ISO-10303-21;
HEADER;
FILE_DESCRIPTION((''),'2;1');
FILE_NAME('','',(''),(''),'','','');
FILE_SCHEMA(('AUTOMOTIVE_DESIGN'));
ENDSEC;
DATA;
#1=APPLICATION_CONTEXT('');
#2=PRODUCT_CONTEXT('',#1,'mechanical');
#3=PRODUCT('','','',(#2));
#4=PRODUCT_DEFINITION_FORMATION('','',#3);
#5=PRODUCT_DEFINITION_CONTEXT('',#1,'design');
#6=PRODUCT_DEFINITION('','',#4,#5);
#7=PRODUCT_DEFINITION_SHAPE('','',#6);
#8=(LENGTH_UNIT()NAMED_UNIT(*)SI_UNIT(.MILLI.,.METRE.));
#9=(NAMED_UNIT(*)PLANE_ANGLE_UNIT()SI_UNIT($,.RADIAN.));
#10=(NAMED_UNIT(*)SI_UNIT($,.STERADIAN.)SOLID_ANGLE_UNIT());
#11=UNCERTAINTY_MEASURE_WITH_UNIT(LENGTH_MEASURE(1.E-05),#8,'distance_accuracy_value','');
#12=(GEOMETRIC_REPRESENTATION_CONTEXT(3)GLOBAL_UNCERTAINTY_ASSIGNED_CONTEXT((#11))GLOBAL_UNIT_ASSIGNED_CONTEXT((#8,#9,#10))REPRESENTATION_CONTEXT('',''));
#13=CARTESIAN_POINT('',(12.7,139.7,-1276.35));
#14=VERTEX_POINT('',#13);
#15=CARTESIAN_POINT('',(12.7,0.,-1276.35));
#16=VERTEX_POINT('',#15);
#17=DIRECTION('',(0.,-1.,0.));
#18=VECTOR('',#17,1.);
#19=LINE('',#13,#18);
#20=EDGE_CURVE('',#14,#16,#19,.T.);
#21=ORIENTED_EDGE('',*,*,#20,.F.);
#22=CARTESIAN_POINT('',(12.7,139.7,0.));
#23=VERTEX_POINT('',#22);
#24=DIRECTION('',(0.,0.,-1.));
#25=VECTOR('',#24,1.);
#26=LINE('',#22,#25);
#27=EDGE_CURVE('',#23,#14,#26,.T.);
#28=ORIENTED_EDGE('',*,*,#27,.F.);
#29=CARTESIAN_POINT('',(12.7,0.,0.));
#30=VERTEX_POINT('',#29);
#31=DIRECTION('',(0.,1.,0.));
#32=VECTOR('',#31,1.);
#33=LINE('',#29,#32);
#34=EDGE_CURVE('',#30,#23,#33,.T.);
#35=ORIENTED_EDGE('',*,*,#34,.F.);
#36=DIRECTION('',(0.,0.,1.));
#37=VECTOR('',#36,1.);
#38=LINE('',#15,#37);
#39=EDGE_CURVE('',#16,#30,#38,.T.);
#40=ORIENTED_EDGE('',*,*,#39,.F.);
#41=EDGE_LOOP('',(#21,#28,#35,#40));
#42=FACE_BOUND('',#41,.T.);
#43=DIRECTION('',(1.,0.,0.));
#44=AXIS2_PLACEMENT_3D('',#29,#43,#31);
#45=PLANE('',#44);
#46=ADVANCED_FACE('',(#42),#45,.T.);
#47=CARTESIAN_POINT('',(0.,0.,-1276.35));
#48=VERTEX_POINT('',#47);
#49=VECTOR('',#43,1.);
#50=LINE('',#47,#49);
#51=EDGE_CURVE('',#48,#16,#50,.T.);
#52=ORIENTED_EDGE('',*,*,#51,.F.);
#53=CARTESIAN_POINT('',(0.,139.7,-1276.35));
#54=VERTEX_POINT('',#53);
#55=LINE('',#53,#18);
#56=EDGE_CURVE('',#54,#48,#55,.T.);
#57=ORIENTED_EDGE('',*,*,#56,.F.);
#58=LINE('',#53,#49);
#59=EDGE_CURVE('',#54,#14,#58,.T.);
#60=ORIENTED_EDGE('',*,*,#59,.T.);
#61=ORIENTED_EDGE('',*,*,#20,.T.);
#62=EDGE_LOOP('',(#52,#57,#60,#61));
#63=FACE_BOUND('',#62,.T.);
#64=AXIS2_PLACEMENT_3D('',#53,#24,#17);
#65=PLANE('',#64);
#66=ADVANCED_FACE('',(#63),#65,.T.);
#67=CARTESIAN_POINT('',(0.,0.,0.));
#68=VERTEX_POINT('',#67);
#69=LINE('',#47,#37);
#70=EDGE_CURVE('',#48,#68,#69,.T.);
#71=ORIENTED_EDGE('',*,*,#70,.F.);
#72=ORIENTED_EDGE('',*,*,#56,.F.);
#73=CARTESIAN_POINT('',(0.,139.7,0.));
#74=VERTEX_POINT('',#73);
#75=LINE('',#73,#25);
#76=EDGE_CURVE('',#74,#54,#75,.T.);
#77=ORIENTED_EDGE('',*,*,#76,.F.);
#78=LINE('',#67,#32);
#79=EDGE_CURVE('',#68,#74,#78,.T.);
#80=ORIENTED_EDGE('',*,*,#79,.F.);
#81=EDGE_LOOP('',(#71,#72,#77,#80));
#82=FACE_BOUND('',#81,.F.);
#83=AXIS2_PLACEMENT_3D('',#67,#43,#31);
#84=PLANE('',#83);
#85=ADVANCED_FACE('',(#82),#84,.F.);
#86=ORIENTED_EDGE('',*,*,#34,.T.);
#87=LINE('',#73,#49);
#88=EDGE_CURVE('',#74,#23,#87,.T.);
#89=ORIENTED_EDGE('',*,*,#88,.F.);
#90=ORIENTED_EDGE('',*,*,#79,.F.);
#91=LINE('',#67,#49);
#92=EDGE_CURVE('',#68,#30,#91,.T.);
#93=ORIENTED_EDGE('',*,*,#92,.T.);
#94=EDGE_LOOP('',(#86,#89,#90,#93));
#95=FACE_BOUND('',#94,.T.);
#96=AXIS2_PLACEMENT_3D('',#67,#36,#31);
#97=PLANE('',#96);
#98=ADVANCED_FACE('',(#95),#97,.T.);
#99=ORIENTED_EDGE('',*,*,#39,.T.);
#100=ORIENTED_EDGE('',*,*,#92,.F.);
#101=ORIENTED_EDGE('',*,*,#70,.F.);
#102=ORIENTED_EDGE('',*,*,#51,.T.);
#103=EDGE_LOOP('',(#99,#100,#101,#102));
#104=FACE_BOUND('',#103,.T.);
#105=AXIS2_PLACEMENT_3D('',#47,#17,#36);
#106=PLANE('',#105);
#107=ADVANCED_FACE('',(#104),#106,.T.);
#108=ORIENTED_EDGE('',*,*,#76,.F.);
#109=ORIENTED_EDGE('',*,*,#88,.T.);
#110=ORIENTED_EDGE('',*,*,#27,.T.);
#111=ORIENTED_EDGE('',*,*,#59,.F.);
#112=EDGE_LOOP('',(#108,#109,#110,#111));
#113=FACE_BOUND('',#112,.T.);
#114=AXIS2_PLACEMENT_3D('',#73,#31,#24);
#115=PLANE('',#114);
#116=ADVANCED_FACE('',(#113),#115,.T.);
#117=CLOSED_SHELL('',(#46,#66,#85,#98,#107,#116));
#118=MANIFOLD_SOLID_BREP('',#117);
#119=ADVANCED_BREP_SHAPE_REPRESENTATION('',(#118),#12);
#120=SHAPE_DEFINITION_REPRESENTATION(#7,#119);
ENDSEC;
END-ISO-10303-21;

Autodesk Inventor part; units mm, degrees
ref_plane "YZ Plane" through (0, 0, 0) normal (1, 0, 0) x (0, 1, 0)
ref_plane "XZ Plane" through (0, 0, 0) normal (0, 1, 0) x (-1, 0, 0)
ref_plane "XY Plane" through (0, 0, 0) normal (0, 0, 1) x (1, 0, 0)
sketch "Sketch1" plane through (0, 0, 0) normal (1, 0, 0) x (0, 1, 0)
  line L0 (0, 0) -> (139.7, 0)
  line L1 (139.7, 0) -> (139.7, -1276.35)
  line L2 (139.7, -1276.35) -> (0, -1276.35)
  line L3 (0, -1276.35) -> (0, 0)
  dimension "d1" = 1276.35
  dimension "d4" = 139.7
extrude "Extrusion1" add sketch "Sketch1" along normal blind 12.7
properties part number "Header_With_Dimensions_0.5_x_5.5_x_50.25_Inches" material "Wood (Birch)"
